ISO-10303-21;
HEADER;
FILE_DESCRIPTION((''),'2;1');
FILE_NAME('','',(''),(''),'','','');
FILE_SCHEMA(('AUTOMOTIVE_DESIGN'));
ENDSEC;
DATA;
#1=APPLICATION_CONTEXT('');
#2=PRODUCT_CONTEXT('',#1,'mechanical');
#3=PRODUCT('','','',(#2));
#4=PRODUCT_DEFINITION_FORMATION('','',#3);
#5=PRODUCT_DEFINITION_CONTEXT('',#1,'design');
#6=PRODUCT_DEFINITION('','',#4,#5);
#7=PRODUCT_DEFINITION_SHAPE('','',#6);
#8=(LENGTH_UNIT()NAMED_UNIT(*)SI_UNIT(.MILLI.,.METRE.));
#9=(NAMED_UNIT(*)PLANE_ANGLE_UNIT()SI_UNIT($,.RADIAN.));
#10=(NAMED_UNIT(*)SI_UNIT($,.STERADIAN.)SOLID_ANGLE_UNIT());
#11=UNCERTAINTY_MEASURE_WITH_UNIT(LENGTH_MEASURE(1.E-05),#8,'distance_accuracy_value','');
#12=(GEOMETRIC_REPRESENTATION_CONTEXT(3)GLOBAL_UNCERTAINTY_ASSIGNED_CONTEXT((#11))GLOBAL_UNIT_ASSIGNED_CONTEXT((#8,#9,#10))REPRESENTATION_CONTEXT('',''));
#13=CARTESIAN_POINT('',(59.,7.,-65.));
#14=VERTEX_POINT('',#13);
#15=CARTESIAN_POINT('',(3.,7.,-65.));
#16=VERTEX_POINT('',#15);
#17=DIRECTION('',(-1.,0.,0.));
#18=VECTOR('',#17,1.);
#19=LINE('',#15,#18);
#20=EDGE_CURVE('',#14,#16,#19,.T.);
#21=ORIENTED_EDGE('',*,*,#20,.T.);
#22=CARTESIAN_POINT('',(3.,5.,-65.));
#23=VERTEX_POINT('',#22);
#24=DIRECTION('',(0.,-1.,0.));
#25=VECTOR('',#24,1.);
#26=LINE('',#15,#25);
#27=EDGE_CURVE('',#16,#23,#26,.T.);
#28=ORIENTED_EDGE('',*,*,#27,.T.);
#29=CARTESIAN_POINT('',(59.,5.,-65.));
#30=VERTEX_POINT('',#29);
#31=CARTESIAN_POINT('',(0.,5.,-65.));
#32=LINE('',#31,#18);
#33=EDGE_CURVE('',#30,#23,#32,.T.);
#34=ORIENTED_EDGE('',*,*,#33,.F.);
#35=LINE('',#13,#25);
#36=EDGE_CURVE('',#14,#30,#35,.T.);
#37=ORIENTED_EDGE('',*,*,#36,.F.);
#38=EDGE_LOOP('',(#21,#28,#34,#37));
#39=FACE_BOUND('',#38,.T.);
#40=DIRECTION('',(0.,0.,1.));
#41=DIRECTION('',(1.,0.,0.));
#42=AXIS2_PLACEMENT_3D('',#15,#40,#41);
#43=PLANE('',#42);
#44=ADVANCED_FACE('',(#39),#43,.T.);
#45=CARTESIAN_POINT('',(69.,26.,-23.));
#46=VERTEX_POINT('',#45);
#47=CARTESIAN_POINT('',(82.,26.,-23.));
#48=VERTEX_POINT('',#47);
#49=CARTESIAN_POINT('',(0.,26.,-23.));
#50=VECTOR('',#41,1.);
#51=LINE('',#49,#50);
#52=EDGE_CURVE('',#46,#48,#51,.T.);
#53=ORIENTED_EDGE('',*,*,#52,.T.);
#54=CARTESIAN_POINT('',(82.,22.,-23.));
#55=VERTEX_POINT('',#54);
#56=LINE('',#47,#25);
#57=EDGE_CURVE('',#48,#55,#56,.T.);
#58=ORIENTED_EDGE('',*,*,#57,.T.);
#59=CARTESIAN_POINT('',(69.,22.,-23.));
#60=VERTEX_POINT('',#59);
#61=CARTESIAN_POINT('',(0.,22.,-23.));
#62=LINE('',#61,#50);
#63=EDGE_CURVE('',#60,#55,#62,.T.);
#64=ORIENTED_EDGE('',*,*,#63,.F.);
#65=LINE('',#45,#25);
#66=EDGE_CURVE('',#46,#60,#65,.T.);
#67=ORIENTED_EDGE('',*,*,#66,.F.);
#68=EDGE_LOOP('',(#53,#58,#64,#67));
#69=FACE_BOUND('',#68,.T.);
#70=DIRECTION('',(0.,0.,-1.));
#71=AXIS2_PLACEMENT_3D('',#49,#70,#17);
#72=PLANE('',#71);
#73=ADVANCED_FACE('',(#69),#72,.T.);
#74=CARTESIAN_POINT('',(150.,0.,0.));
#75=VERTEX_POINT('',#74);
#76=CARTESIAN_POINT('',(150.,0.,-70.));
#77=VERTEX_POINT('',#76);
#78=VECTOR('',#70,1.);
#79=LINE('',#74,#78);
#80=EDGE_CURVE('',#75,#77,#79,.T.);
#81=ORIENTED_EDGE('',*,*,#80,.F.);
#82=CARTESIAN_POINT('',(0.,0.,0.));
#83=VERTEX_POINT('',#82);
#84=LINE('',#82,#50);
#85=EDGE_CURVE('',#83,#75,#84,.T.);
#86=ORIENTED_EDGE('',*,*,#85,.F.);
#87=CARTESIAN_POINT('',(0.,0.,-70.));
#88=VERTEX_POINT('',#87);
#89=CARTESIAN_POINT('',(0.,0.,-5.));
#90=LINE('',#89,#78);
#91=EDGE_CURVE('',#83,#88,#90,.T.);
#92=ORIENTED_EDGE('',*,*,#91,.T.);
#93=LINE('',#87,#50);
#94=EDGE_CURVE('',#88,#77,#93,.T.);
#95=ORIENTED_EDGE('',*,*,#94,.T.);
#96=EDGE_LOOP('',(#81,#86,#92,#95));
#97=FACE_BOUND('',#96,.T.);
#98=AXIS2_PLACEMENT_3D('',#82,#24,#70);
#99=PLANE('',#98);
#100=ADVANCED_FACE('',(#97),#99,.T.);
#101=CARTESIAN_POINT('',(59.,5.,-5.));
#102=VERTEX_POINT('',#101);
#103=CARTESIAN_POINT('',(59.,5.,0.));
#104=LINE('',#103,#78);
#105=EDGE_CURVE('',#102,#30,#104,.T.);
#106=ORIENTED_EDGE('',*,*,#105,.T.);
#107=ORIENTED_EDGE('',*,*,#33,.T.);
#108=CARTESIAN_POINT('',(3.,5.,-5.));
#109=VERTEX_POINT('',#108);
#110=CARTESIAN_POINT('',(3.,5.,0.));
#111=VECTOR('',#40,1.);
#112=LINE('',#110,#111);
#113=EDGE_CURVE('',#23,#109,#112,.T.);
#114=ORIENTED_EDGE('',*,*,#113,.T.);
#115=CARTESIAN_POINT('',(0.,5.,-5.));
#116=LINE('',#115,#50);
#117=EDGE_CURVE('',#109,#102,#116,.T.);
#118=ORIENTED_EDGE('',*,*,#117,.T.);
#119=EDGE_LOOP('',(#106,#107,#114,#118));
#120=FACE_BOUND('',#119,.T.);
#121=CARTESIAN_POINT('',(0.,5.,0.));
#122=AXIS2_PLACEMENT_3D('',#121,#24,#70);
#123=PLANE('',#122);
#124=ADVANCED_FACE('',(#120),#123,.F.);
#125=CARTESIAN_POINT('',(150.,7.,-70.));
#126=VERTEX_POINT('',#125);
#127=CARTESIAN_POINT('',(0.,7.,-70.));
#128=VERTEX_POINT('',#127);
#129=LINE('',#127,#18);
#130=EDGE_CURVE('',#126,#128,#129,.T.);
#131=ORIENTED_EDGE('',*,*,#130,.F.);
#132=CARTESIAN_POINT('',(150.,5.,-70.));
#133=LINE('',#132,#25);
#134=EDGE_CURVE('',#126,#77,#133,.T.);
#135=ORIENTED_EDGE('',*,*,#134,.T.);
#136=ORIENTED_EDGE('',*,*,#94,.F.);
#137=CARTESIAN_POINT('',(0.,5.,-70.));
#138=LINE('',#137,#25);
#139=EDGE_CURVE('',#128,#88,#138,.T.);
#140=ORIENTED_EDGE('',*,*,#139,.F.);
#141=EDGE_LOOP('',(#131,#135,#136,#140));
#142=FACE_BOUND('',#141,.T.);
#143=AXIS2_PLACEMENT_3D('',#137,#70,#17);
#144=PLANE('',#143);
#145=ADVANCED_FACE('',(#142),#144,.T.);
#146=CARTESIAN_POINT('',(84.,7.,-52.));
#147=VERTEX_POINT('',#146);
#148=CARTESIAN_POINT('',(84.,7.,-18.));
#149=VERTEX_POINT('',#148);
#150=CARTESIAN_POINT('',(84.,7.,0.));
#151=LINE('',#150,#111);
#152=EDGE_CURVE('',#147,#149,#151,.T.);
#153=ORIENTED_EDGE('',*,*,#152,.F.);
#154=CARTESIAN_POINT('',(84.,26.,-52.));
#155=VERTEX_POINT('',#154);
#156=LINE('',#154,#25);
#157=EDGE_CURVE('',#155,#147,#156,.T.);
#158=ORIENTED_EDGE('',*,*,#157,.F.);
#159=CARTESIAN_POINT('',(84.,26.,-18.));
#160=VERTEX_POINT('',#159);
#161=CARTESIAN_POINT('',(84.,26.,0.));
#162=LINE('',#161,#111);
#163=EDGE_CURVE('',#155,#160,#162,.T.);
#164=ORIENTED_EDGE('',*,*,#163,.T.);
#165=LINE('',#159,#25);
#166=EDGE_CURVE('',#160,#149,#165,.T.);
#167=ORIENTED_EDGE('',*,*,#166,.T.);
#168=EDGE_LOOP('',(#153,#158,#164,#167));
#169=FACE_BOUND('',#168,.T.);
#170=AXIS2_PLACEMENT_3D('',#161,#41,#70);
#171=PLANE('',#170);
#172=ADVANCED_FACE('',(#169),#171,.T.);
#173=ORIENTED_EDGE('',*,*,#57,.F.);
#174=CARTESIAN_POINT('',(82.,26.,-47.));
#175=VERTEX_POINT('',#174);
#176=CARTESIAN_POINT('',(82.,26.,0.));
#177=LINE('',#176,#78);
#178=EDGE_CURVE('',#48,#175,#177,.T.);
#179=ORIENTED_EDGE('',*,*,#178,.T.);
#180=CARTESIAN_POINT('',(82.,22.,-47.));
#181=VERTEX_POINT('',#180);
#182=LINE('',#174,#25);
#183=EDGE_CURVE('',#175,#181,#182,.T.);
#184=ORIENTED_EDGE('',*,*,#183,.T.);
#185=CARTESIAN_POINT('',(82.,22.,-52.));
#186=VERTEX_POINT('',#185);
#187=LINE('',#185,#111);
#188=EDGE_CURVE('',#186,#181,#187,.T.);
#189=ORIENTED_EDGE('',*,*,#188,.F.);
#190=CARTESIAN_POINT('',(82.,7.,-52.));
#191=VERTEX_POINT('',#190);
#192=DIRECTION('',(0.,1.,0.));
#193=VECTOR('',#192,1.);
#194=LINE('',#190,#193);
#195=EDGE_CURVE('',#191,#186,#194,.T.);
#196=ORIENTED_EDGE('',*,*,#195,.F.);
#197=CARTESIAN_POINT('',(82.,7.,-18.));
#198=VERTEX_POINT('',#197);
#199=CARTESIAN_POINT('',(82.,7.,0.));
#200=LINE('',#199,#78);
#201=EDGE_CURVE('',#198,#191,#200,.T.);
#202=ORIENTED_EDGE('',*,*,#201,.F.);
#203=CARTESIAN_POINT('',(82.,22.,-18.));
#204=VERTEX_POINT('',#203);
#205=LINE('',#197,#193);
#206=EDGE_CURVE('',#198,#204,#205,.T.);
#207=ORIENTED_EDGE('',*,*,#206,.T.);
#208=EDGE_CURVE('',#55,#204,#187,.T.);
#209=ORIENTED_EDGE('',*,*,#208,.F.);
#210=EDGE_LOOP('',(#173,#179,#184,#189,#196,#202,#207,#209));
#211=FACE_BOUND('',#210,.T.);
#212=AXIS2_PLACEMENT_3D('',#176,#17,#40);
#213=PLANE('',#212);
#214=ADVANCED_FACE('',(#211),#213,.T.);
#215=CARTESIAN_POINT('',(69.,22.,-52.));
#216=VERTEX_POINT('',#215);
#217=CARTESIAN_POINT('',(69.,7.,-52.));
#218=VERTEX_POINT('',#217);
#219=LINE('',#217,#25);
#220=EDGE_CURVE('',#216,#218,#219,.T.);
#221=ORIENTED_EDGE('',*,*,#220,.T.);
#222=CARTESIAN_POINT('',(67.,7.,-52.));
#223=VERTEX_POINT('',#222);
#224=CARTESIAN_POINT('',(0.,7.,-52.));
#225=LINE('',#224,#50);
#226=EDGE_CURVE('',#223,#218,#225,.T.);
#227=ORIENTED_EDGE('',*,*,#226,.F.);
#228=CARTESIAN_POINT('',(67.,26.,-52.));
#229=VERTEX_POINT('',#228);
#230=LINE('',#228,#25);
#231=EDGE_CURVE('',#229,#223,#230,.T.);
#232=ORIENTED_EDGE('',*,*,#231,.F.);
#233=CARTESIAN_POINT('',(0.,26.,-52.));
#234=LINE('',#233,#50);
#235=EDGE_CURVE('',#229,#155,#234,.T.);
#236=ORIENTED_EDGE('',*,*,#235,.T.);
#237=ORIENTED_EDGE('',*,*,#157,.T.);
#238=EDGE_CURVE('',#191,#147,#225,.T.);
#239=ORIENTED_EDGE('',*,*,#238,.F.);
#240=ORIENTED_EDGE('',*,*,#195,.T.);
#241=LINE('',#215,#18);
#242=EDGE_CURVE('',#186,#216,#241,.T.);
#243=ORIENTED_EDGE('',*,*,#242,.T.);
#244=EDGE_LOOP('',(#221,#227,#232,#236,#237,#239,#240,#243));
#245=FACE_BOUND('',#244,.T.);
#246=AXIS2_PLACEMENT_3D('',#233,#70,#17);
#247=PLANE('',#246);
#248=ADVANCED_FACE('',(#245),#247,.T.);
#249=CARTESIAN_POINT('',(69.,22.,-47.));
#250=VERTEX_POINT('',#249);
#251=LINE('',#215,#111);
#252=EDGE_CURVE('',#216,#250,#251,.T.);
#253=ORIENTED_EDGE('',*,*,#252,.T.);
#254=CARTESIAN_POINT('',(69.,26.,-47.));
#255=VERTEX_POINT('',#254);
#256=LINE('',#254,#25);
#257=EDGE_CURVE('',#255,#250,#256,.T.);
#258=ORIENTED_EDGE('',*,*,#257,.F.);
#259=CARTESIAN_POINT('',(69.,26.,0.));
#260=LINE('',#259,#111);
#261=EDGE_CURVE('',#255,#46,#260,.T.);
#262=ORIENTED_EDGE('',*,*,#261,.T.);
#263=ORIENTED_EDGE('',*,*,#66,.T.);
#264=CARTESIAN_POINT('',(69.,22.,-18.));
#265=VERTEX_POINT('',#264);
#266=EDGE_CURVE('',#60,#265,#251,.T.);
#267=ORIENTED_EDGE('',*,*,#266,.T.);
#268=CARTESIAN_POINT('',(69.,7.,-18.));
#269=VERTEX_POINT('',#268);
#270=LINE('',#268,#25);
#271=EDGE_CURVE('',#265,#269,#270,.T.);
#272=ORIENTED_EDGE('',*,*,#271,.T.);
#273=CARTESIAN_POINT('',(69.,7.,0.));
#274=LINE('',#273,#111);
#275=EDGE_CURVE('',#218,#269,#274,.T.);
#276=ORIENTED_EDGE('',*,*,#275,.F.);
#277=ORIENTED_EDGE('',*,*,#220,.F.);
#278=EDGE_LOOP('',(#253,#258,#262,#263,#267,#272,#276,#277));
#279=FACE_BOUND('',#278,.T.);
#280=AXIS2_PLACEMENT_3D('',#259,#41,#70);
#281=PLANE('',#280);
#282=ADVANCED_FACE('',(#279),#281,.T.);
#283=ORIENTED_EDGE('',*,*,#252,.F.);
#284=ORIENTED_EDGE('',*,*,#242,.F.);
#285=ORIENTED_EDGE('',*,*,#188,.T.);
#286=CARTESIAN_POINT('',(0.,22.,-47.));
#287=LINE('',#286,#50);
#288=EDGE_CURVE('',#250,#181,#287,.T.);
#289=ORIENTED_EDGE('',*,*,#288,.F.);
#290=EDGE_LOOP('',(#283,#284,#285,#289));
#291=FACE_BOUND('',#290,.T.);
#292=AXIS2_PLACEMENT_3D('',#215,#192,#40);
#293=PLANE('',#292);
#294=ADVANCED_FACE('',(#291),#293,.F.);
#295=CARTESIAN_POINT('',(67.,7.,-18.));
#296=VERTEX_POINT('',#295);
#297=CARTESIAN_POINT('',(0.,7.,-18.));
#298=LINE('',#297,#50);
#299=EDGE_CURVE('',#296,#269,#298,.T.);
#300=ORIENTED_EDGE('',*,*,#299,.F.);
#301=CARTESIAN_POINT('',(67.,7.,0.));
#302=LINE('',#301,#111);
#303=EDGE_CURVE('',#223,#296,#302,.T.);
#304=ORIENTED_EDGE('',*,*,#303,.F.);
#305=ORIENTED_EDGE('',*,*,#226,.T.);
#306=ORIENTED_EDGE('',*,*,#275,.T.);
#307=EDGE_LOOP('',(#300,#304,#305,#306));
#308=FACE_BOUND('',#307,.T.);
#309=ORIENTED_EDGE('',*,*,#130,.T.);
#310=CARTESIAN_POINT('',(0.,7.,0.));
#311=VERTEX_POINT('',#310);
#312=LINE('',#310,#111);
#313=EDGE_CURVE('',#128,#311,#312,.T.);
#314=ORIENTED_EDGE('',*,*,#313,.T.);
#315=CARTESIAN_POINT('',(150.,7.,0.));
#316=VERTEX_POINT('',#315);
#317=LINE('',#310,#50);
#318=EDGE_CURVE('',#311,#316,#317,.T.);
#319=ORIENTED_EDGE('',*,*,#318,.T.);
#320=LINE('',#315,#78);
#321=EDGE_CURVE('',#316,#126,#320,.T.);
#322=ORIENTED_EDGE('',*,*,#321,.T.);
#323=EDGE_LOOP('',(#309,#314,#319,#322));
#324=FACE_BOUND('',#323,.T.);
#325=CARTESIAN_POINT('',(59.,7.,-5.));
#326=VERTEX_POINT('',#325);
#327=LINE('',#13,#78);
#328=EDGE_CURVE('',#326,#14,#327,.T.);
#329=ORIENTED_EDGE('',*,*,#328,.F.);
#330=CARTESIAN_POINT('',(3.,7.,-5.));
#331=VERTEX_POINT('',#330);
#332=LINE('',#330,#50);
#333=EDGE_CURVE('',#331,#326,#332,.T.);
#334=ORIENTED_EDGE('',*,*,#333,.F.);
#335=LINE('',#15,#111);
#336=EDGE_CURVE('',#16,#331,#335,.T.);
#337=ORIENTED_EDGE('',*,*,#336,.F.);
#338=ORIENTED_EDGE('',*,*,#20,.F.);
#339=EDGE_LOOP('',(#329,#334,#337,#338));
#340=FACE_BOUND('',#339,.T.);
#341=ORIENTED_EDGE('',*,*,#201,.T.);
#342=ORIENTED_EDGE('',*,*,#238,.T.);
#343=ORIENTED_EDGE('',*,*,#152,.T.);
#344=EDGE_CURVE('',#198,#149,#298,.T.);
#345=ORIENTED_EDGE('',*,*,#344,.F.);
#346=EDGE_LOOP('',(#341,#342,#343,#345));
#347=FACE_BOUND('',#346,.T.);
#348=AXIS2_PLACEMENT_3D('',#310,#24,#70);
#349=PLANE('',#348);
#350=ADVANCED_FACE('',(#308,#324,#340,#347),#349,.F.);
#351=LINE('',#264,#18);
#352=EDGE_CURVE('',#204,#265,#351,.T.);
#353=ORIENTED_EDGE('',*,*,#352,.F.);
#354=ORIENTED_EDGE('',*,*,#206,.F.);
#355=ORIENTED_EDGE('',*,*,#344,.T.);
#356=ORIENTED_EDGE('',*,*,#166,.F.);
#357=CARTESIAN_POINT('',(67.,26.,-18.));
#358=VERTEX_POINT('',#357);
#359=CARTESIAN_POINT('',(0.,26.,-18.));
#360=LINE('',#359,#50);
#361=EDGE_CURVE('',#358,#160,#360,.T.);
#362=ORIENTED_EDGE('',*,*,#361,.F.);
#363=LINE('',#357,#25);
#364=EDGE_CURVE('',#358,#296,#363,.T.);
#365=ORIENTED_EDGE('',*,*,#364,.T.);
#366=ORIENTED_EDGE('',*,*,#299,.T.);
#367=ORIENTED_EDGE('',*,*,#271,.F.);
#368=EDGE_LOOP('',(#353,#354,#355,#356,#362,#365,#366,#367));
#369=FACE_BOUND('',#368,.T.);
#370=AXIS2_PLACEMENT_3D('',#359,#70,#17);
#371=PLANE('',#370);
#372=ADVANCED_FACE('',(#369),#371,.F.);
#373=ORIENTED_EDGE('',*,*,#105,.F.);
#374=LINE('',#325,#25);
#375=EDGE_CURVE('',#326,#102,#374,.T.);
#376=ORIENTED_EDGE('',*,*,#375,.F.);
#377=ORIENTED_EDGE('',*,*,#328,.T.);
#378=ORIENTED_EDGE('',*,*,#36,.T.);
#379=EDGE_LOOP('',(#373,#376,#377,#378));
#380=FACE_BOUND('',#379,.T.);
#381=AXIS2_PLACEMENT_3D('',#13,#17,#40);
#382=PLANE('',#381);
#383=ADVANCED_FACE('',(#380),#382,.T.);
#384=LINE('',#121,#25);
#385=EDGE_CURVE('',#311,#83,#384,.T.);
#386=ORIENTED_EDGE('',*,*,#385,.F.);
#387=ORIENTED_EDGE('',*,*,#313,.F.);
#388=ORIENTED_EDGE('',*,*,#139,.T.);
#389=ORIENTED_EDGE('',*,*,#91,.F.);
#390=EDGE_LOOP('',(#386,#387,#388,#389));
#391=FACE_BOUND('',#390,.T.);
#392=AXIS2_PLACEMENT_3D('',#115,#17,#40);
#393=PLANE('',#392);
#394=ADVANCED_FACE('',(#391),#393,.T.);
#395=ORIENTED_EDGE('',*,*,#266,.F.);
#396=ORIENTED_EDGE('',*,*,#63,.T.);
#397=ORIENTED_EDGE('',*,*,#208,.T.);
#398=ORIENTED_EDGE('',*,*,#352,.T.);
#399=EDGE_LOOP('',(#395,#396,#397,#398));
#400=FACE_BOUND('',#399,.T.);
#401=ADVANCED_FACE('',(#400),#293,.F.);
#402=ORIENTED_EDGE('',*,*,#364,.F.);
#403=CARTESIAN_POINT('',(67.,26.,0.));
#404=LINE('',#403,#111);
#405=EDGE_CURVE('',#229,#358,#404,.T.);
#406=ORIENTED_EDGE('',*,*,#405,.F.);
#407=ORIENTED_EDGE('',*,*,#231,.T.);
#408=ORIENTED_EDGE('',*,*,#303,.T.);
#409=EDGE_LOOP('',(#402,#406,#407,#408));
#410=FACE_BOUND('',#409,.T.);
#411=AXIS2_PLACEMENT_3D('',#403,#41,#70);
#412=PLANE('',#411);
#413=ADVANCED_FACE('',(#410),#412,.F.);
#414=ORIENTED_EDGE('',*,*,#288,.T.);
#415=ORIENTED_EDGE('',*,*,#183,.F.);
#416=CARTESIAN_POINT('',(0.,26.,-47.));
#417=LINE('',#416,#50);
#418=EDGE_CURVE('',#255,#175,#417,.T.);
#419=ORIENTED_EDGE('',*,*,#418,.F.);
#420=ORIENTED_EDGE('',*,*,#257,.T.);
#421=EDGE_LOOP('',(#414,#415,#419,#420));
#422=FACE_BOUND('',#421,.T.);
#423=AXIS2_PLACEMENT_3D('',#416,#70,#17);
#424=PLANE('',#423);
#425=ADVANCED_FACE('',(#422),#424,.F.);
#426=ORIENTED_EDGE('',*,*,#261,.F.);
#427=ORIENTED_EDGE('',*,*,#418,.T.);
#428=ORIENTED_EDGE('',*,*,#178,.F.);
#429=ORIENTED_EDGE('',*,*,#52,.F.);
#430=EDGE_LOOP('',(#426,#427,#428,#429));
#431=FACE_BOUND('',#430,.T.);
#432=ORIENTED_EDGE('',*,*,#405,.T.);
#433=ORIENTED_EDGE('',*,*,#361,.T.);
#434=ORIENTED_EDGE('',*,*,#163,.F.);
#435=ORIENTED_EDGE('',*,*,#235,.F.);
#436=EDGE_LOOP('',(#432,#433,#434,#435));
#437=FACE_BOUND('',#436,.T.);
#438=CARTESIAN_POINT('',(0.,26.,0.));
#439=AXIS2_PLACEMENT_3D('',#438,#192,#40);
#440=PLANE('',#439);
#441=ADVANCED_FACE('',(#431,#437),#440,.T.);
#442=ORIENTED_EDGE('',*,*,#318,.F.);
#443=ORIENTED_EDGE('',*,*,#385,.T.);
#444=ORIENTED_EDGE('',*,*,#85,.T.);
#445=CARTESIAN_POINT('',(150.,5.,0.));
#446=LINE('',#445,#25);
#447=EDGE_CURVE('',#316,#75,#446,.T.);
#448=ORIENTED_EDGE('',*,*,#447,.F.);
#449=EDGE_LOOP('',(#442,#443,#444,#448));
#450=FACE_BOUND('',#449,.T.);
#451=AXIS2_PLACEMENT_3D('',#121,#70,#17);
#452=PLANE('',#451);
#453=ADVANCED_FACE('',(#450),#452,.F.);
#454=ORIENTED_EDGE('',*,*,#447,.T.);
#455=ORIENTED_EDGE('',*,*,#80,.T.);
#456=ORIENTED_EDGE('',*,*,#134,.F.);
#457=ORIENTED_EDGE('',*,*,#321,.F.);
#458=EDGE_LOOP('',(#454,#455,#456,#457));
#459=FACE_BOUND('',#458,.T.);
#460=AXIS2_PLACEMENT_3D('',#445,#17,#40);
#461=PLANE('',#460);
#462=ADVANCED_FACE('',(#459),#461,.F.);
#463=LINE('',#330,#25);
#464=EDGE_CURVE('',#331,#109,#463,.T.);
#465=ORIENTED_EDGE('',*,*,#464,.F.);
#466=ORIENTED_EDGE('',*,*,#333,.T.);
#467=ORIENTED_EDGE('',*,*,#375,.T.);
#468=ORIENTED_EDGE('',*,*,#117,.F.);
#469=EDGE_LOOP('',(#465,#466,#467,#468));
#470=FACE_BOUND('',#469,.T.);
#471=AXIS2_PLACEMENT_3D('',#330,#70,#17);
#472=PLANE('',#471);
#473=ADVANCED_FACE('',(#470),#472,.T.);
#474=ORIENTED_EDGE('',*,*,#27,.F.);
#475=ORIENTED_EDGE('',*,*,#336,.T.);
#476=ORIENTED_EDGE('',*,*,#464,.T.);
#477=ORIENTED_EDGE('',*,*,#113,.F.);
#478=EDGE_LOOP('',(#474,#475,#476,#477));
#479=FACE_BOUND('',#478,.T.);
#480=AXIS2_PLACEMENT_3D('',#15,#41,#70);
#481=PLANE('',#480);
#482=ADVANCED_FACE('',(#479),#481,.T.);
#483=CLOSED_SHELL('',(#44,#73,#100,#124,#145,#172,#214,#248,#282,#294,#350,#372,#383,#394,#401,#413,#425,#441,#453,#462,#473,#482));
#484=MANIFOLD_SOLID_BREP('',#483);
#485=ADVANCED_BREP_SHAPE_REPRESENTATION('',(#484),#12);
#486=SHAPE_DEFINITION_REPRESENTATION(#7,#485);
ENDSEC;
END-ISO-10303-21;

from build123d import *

# Parameters (mm, degrees)
EXTRUDE_3_DEPTH     = 5
SKETCH_2_6_W        = 56
SKETCH_2_6_H        = 60
EXTRUDE_4_DEPTH     = 7
SKETCH_4_W          = 56
SKETCH_4_H          = 60
EXTRUDE_5_DEPTH     = 5
EXTRUDE_6_DEPTH     = 19
SKETCH_7_W          = 13
SKETCH_7_H          = 15
CUT_EXTRUDE_1_DEPTH = 34


with BuildPart() as part:
    # Эскиз2 → Бобышка-Вытянуть3 (new body)
    with BuildSketch(Plane(origin=(0, 0, 0), x_dir=(1, 0, 0), z_dir=(0, 1, 0))):
        Polygon((0, 0), (150, 0), (150, 70), (0, 70), (0, 5), align=None)
    extrude(amount=EXTRUDE_3_DEPTH)

    # Эскиз2<6> → Бобышка-Вытянуть4 (add)
    with BuildSketch(Plane(origin=(0, 0, 0), x_dir=(1, 0, 0), z_dir=(0, 1, 0))):
        Polygon((0, 0), (150, 0), (150, 70), (0, 70), (0, 5), align=None)
        with Locations((31, 35)):
            Rectangle(SKETCH_2_6_W, SKETCH_2_6_H, mode=Mode.SUBTRACT)
    extrude(amount=EXTRUDE_4_DEPTH)

    # Эскиз4 → Бобышка-Вытянуть5 (add)
    with BuildSketch(Plane(origin=(0, 5, 0), x_dir=(1, 0, 0), z_dir=(0, 1, 0))):
        with Locations((31, 35)):
            Rectangle(SKETCH_4_W, SKETCH_4_H)
    extrude(amount=-EXTRUDE_5_DEPTH)

    # Эскиз5 → Бобышка-Вытянуть6 (add)
    with BuildSketch(Plane(origin=(0, 7, 0), x_dir=(1, 0, 0), z_dir=(0, 1, 0))):
        Polygon((84, 52), (69, 52), (67, 52), (67, 18), (84, 18), align=None)
        Polygon((69, 23), (69, 35), (69, 47), (82, 47), (82, 35), (82, 23), align=None, mode=Mode.SUBTRACT)
    extrude(amount=EXTRUDE_6_DEPTH)

    # Эскиз7 → Вырез-Вытянуть1 (cut)
    with BuildSketch(Plane.XY.offset(-18)):
        with Locations((75.5, 14.5)):
            Rectangle(SKETCH_7_W, SKETCH_7_H)
    extrude(amount=-CUT_EXTRUDE_1_DEPTH, mode=Mode.SUBTRACT)


solid = part.part
